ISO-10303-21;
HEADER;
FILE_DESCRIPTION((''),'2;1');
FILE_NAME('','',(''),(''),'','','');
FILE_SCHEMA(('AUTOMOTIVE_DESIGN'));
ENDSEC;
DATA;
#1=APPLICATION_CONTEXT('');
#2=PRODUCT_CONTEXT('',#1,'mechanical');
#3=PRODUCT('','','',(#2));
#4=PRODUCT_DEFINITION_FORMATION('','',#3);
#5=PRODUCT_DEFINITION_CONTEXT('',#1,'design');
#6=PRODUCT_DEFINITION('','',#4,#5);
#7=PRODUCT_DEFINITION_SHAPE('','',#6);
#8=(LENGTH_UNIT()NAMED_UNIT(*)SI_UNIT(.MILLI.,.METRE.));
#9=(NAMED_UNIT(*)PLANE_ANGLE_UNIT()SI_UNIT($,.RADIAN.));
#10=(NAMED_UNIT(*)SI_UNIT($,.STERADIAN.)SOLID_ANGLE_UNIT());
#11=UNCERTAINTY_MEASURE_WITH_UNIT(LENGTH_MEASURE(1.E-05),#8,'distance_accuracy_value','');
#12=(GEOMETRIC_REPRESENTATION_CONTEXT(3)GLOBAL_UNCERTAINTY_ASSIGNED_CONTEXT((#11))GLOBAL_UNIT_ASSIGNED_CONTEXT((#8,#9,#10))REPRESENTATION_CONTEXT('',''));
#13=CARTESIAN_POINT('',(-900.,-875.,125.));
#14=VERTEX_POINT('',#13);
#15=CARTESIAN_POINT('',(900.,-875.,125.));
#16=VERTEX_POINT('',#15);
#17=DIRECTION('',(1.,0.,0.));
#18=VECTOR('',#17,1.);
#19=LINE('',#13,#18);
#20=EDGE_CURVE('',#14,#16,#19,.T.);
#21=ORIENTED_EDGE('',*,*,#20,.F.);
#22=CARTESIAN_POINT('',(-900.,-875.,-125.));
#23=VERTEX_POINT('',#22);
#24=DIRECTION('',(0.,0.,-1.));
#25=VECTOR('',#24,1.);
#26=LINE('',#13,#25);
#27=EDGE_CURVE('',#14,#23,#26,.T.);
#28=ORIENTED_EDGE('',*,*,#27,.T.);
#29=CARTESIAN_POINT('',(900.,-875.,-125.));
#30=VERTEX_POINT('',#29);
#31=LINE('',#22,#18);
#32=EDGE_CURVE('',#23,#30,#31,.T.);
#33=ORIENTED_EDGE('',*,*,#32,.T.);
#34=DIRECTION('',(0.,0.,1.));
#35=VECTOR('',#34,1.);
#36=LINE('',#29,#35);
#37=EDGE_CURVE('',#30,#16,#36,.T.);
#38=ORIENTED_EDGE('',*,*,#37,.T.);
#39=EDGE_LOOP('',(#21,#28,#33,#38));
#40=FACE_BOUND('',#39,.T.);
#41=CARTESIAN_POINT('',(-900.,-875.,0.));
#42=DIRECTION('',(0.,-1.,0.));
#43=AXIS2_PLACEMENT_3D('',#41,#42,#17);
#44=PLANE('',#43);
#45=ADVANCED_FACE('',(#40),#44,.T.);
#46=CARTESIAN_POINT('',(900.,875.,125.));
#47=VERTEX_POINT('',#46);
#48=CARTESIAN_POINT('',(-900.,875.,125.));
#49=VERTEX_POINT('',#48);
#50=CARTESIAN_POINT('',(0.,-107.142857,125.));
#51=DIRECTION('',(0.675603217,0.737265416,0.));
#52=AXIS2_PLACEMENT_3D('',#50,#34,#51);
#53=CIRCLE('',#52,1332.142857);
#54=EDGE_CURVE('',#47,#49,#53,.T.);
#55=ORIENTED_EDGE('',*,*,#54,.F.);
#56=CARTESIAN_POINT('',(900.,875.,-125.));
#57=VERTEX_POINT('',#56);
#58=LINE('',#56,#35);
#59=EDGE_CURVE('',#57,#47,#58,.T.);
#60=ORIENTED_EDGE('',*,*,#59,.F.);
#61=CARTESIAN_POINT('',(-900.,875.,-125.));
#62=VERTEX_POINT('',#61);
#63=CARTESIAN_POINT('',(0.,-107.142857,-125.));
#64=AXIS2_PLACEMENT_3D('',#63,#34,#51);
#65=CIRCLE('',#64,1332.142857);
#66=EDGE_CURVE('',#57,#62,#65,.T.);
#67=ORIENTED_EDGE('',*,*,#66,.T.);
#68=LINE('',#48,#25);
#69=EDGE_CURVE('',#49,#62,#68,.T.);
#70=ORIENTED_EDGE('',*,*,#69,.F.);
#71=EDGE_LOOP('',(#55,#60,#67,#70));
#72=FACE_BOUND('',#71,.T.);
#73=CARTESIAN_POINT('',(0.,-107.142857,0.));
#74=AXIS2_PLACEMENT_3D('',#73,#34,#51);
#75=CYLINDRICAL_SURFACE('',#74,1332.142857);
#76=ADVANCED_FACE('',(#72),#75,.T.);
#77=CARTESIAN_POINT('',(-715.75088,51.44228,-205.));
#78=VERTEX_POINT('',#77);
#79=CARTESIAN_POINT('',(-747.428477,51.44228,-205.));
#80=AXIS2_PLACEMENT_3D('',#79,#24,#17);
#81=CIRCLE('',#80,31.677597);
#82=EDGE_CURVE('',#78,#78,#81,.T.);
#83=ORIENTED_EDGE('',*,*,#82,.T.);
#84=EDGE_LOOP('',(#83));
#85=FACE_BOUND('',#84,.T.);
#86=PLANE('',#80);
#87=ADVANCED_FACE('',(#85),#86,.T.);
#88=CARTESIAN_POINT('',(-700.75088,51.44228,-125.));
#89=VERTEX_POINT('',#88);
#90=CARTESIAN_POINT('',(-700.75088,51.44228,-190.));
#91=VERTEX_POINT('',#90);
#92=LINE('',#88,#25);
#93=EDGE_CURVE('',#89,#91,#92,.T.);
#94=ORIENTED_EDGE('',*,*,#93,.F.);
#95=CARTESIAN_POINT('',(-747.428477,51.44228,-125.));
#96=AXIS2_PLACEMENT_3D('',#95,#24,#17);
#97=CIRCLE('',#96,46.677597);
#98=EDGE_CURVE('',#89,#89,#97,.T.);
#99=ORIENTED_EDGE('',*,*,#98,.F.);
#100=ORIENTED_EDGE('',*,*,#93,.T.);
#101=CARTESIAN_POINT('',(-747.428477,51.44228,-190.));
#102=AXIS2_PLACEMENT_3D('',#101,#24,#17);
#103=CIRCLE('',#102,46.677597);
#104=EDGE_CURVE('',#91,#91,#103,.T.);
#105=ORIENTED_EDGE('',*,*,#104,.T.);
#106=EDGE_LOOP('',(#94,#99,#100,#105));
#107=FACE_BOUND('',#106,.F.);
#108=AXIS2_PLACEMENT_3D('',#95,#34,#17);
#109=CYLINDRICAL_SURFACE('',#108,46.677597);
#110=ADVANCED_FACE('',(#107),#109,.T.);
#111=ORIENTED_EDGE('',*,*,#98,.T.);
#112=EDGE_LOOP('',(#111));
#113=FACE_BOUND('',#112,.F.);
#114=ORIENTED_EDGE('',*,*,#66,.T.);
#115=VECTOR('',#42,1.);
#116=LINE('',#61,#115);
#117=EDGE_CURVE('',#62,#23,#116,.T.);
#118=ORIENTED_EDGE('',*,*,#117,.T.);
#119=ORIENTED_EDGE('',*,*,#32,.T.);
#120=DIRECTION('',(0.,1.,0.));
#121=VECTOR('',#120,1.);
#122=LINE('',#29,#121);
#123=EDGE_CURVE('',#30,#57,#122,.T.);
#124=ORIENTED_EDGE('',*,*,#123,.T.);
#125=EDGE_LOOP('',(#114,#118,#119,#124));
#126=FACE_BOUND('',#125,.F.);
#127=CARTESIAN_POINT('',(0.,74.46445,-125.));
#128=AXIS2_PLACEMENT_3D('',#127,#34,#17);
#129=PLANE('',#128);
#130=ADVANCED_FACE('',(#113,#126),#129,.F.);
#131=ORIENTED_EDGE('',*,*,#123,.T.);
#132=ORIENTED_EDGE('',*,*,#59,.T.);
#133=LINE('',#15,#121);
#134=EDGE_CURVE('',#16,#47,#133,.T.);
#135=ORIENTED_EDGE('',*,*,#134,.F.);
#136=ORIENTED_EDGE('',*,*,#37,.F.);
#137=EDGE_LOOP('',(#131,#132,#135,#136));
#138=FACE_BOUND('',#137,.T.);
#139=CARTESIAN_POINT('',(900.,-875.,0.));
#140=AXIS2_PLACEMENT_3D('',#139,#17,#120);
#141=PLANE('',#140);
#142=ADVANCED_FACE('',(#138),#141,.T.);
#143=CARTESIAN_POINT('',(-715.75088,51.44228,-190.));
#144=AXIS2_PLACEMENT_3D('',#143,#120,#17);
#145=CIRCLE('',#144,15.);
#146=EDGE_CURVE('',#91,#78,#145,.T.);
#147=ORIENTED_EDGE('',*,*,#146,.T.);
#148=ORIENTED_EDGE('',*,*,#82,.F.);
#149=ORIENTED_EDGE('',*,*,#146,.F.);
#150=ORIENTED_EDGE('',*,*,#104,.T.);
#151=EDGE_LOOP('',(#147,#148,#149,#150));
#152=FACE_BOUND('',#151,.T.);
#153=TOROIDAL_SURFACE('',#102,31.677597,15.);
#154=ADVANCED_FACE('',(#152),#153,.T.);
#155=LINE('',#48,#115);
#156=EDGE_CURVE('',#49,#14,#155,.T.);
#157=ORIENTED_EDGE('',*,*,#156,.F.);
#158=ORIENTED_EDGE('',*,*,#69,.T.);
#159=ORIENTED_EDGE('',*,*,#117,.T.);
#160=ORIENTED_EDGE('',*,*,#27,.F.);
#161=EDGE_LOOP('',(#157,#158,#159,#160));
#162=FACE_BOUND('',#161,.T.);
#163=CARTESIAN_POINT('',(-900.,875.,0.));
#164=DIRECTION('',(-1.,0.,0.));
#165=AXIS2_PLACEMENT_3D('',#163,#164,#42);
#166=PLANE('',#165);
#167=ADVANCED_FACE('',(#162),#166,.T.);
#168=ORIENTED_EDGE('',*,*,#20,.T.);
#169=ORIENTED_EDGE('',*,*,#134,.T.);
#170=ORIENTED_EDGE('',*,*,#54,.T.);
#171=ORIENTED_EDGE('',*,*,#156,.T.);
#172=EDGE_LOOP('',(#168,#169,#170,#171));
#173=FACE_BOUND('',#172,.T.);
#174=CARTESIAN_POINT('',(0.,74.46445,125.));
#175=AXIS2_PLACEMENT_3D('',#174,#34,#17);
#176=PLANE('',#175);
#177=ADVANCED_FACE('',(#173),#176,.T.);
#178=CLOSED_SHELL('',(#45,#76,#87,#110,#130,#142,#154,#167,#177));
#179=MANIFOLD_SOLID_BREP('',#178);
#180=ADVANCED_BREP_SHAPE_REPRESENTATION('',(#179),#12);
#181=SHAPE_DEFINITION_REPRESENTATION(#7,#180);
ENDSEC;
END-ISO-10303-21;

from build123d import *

# Parameters (mm, degrees)
F1_DEPTH = 125
F2_R     = 46.677597
F3_DEPTH = 80
F4_R     = 15


with BuildPart() as f1:
    # F0 (on Top) → F1 (new body, symmetric)
    with BuildSketch(Plane.XY):
        with BuildLine():
            Line((-900, -875), (900, -875))
            Line((900, -875), (900, 875))
            ThreePointArc((900, 875), (0, 1225), (-900, 875))
            Line((-900, 875), (-900, -875))
        make_face()
    extrude(amount=F1_DEPTH, both=True)

    # F2 (on face) → F3 (join)
    with BuildSketch(Plane(origin=(0, 0, -125), x_dir=(1, 0, 0), z_dir=(0, 0, -1))):
        with Locations((-747.428477, -51.44228)):
            Circle(F2_R)
    extrude(amount=F3_DEPTH)

    # F4
    f4_edges = [f1.edges().sort_by_distance(p)[0] for p in [
        (-794.106074, 51.44228, -205),
    ]]
    fillet(f4_edges, radius=F4_R)


solid = f1.part
